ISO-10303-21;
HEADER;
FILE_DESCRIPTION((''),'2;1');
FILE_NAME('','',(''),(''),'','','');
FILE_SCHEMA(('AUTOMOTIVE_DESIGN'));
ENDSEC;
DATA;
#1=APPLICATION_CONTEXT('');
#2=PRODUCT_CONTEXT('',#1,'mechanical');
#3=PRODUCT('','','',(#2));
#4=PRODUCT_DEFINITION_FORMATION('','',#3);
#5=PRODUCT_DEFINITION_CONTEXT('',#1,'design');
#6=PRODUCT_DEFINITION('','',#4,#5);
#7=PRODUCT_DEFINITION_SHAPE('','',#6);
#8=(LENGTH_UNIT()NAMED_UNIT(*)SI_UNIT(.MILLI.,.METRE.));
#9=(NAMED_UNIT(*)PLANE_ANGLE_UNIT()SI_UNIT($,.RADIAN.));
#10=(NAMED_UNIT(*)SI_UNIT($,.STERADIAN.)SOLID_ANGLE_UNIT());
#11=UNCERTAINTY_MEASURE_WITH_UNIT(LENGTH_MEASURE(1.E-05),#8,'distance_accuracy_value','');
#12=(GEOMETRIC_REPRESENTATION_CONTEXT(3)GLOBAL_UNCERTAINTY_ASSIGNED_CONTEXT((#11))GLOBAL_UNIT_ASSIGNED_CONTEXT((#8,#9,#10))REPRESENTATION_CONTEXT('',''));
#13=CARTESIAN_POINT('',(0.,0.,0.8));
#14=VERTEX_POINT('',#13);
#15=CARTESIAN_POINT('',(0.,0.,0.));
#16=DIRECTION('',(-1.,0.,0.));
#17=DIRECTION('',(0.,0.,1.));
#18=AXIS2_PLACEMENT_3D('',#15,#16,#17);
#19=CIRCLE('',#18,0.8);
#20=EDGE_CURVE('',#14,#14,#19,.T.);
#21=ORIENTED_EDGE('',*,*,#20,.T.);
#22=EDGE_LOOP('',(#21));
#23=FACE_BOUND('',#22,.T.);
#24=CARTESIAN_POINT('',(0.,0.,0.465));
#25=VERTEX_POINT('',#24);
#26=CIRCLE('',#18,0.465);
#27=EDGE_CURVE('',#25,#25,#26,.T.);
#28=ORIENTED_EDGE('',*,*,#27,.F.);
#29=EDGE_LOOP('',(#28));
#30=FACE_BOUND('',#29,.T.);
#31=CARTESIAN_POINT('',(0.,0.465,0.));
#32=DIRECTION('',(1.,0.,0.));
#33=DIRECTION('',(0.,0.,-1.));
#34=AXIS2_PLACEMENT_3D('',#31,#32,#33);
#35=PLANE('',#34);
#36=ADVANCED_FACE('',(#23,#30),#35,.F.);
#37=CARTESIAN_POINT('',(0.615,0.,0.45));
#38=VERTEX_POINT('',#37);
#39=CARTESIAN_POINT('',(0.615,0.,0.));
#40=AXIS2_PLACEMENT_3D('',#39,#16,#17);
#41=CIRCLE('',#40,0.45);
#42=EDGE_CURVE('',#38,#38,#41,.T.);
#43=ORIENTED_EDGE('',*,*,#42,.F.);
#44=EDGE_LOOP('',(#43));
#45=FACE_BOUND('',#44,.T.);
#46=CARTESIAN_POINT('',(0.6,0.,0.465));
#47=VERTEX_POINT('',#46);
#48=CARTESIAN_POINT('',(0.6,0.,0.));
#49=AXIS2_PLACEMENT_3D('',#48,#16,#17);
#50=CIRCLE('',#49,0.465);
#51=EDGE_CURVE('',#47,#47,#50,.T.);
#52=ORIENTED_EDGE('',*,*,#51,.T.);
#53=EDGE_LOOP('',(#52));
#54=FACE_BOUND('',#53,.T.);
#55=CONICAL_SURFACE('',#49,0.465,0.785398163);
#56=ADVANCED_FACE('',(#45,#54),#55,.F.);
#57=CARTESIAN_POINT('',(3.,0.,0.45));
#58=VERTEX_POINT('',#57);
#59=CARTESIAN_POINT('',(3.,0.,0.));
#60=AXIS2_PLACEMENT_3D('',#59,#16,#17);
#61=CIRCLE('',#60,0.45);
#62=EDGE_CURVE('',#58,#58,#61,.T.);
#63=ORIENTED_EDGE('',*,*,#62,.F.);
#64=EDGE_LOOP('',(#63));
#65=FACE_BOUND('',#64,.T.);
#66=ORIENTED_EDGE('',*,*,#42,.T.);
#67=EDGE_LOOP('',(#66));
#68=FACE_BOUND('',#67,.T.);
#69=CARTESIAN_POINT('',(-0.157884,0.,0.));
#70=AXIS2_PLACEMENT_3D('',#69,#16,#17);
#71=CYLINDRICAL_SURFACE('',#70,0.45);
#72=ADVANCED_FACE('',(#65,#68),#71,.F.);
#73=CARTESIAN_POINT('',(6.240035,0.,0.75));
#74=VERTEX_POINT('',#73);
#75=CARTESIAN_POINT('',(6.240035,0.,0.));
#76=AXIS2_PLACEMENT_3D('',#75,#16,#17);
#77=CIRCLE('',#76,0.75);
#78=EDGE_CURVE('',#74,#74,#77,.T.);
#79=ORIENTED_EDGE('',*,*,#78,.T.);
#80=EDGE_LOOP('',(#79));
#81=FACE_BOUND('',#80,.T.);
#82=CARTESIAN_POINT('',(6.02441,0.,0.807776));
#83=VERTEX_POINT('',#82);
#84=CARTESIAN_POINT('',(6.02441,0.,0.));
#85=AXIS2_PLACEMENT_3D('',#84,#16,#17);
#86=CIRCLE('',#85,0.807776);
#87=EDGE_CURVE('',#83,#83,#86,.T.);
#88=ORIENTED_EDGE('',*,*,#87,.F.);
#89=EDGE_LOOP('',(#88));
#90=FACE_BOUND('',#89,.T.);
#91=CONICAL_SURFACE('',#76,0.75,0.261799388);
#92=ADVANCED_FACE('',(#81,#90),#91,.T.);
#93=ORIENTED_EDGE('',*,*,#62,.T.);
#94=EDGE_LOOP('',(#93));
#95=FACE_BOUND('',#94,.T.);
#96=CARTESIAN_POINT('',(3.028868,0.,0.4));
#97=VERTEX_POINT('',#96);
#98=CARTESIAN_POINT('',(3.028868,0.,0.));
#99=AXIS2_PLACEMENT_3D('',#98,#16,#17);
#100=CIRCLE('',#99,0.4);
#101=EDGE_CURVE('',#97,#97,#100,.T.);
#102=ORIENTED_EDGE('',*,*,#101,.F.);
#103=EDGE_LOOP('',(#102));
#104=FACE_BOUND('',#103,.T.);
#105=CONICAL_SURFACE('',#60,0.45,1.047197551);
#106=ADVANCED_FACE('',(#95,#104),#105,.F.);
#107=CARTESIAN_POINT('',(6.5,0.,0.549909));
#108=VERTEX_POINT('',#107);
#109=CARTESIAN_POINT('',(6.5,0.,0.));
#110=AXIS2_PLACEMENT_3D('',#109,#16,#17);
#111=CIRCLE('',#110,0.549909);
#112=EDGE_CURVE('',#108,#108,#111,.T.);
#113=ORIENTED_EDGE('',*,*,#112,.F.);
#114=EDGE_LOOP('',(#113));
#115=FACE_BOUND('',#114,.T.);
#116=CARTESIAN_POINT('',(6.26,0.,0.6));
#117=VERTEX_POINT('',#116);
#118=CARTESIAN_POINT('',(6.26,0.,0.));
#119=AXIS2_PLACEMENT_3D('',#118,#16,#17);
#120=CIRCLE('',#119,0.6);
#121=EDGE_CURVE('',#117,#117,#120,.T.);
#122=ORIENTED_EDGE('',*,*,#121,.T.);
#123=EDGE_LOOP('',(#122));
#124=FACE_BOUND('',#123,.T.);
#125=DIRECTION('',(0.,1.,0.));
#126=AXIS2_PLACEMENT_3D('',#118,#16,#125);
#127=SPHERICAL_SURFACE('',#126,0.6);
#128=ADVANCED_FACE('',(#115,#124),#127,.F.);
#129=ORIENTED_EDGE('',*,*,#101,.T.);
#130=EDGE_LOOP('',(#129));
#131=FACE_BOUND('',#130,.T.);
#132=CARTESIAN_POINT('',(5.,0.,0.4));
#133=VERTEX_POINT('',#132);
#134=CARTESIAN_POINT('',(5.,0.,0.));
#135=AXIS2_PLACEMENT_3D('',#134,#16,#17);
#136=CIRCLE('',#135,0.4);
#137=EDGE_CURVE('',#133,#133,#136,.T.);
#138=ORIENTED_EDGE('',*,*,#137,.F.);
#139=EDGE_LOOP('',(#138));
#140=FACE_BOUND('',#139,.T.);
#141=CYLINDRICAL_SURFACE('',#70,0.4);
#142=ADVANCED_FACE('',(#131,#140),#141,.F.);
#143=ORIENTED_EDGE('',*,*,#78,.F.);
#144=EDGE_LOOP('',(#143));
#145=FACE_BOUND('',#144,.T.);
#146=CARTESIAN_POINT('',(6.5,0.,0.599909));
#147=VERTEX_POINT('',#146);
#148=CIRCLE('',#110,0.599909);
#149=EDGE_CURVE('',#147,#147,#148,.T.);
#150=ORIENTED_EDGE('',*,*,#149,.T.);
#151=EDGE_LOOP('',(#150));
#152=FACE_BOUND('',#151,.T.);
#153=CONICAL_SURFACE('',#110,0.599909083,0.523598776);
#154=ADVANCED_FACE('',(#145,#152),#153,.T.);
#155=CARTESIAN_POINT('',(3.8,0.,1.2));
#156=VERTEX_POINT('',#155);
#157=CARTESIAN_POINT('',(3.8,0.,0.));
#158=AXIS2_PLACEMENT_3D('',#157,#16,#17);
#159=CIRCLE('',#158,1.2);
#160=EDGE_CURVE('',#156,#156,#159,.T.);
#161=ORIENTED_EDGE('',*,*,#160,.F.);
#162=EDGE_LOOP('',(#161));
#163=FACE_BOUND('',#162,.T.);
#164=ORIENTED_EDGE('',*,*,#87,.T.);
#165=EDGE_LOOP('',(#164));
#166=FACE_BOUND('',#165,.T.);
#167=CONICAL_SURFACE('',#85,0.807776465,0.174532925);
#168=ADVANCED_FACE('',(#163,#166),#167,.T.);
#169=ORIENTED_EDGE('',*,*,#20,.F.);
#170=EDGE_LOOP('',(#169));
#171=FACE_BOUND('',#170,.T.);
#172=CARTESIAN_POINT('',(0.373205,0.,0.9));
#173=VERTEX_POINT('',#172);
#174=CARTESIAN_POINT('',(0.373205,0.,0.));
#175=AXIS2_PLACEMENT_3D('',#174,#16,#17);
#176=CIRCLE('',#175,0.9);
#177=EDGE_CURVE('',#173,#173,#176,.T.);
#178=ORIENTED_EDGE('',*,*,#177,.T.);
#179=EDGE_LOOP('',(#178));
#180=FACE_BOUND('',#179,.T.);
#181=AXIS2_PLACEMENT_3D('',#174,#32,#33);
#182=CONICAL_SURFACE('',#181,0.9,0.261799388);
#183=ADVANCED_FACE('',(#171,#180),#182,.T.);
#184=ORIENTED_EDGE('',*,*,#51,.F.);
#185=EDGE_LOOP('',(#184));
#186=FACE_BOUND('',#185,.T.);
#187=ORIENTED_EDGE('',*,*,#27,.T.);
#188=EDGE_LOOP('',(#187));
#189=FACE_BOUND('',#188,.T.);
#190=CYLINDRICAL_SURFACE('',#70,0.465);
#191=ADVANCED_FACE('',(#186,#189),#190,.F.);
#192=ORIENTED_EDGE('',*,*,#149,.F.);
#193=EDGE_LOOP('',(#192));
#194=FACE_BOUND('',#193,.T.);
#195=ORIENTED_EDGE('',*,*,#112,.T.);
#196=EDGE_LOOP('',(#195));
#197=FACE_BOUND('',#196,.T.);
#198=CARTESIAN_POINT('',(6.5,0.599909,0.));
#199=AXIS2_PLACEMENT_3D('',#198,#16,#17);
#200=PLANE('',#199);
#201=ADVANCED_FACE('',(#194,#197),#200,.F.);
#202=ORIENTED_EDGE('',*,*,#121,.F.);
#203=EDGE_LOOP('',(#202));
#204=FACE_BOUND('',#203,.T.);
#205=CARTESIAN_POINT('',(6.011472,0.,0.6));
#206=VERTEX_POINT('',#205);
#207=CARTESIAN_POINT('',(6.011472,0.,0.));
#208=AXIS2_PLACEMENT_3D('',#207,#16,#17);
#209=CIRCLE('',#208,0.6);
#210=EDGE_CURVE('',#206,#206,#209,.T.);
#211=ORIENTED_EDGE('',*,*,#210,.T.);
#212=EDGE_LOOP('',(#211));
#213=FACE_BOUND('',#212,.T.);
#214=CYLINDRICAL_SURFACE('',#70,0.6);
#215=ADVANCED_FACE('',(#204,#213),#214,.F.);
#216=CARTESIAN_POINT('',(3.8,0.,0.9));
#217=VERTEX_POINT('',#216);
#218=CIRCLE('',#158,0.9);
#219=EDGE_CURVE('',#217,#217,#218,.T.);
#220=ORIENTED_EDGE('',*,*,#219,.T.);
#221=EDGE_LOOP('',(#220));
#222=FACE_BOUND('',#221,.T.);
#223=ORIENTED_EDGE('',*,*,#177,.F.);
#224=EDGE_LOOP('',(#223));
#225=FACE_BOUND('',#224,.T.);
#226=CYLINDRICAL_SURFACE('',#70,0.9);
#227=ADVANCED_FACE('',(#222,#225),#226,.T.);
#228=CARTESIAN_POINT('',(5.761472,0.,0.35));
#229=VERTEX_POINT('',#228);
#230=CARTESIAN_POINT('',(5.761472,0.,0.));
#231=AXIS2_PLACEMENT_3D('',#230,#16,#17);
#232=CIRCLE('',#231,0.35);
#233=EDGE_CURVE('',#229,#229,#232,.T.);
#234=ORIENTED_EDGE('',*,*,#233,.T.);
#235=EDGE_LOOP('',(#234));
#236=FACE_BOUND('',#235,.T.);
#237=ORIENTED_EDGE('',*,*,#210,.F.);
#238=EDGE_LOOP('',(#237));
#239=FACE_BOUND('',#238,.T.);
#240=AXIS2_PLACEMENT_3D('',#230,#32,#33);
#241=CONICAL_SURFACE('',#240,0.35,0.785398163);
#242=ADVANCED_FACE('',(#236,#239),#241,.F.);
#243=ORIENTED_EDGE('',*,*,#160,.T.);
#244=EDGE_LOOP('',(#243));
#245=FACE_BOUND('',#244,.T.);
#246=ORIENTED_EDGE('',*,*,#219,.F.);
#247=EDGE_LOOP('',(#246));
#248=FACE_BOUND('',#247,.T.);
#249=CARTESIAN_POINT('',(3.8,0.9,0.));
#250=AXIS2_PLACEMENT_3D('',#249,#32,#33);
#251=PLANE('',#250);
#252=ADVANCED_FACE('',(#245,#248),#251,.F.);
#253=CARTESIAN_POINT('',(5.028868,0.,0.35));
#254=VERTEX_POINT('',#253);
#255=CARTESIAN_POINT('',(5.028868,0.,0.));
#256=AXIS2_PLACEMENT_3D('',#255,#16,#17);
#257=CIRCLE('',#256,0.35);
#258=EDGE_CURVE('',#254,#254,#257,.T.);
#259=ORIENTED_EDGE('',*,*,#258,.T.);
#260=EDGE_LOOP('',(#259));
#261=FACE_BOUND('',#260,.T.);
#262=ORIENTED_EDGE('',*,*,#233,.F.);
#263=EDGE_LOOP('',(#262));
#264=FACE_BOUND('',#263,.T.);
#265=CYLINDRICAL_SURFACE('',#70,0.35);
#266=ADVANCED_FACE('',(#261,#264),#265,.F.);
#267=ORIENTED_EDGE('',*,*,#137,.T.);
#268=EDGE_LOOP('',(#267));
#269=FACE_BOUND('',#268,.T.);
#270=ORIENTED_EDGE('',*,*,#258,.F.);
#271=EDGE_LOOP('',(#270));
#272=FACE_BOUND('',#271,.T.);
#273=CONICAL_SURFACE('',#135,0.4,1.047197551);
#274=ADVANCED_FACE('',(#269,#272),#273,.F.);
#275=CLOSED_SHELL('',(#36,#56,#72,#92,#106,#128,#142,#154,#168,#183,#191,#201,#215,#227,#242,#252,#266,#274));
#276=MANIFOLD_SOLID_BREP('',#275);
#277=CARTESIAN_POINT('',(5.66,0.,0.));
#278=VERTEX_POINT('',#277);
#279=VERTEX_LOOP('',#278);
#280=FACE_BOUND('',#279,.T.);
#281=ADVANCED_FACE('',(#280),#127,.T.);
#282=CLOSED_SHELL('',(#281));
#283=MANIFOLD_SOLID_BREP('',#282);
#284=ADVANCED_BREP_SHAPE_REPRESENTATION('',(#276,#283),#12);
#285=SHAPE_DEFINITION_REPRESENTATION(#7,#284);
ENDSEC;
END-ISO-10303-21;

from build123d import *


with BuildPart() as part:
    # Sketch1 → Base-Revolve (revolve)
    with BuildSketch(Plane.XY, mode=Mode.PRIVATE) as base_revolve_sk:
        with BuildLine():
            Line((0, 0.465), (0, 0.8))
            Line((0, 0.8), (0.373205081, 0.9))
            Line((0.373205081, 0.9), (3.8, 0.9))
            Line((3.8, 0.9), (3.8, 1.2))
            Line((3.8, 1.2), (6.024410205, 0.807776465))
            Line((6.024410205, 0.807776465), (6.240034907, 0.75))
            Line((6.240034907, 0.75), (6.5, 0.599909083))
            Line((6.5, 0.599909083), (6.5, 0.549909083))
            ThreePointArc((6.5, 0.549909083), (6.382585786, 0.587343788), (6.26, 0.6))
            Line((6.26, 0.6), (6.011471863, 0.6))
            Line((6.011471863, 0.6), (5.761471863, 0.35))
            Line((5.761471863, 0.35), (5.028867513, 0.35))
            Line((5.028867513, 0.35), (5, 0.4))
            Line((5, 0.4), (3.028867513, 0.4))
            Line((3.028867513, 0.4), (3, 0.45))
            Line((3, 0.45), (0.615, 0.45))
            Line((0.615, 0.45), (0.6, 0.465))
            Line((0.6, 0.465), (0, 0.465))
        make_face()
    revolve(base_revolve_sk.sketch.rotate(Axis((-0.157884346, 0, 0), (1, 0, 0)), 90), axis=Axis((-0.157884346, 0, 0), (1, 0, 0)))


with BuildPart() as body_2:
    # Sketch2 → Esfera (revolve)
    with BuildSketch(Plane.XY):
        with BuildLine():
            Line((5.66, 0), (6.86, 0))
            ThreePointArc((6.86, 0), (6.26, 0.6), (5.66, 0))
        make_face()
    revolve(axis=Axis((4.979736288, 0, 0), (1, 0, 0)))


solid = Compound([part.part, body_2.part])
